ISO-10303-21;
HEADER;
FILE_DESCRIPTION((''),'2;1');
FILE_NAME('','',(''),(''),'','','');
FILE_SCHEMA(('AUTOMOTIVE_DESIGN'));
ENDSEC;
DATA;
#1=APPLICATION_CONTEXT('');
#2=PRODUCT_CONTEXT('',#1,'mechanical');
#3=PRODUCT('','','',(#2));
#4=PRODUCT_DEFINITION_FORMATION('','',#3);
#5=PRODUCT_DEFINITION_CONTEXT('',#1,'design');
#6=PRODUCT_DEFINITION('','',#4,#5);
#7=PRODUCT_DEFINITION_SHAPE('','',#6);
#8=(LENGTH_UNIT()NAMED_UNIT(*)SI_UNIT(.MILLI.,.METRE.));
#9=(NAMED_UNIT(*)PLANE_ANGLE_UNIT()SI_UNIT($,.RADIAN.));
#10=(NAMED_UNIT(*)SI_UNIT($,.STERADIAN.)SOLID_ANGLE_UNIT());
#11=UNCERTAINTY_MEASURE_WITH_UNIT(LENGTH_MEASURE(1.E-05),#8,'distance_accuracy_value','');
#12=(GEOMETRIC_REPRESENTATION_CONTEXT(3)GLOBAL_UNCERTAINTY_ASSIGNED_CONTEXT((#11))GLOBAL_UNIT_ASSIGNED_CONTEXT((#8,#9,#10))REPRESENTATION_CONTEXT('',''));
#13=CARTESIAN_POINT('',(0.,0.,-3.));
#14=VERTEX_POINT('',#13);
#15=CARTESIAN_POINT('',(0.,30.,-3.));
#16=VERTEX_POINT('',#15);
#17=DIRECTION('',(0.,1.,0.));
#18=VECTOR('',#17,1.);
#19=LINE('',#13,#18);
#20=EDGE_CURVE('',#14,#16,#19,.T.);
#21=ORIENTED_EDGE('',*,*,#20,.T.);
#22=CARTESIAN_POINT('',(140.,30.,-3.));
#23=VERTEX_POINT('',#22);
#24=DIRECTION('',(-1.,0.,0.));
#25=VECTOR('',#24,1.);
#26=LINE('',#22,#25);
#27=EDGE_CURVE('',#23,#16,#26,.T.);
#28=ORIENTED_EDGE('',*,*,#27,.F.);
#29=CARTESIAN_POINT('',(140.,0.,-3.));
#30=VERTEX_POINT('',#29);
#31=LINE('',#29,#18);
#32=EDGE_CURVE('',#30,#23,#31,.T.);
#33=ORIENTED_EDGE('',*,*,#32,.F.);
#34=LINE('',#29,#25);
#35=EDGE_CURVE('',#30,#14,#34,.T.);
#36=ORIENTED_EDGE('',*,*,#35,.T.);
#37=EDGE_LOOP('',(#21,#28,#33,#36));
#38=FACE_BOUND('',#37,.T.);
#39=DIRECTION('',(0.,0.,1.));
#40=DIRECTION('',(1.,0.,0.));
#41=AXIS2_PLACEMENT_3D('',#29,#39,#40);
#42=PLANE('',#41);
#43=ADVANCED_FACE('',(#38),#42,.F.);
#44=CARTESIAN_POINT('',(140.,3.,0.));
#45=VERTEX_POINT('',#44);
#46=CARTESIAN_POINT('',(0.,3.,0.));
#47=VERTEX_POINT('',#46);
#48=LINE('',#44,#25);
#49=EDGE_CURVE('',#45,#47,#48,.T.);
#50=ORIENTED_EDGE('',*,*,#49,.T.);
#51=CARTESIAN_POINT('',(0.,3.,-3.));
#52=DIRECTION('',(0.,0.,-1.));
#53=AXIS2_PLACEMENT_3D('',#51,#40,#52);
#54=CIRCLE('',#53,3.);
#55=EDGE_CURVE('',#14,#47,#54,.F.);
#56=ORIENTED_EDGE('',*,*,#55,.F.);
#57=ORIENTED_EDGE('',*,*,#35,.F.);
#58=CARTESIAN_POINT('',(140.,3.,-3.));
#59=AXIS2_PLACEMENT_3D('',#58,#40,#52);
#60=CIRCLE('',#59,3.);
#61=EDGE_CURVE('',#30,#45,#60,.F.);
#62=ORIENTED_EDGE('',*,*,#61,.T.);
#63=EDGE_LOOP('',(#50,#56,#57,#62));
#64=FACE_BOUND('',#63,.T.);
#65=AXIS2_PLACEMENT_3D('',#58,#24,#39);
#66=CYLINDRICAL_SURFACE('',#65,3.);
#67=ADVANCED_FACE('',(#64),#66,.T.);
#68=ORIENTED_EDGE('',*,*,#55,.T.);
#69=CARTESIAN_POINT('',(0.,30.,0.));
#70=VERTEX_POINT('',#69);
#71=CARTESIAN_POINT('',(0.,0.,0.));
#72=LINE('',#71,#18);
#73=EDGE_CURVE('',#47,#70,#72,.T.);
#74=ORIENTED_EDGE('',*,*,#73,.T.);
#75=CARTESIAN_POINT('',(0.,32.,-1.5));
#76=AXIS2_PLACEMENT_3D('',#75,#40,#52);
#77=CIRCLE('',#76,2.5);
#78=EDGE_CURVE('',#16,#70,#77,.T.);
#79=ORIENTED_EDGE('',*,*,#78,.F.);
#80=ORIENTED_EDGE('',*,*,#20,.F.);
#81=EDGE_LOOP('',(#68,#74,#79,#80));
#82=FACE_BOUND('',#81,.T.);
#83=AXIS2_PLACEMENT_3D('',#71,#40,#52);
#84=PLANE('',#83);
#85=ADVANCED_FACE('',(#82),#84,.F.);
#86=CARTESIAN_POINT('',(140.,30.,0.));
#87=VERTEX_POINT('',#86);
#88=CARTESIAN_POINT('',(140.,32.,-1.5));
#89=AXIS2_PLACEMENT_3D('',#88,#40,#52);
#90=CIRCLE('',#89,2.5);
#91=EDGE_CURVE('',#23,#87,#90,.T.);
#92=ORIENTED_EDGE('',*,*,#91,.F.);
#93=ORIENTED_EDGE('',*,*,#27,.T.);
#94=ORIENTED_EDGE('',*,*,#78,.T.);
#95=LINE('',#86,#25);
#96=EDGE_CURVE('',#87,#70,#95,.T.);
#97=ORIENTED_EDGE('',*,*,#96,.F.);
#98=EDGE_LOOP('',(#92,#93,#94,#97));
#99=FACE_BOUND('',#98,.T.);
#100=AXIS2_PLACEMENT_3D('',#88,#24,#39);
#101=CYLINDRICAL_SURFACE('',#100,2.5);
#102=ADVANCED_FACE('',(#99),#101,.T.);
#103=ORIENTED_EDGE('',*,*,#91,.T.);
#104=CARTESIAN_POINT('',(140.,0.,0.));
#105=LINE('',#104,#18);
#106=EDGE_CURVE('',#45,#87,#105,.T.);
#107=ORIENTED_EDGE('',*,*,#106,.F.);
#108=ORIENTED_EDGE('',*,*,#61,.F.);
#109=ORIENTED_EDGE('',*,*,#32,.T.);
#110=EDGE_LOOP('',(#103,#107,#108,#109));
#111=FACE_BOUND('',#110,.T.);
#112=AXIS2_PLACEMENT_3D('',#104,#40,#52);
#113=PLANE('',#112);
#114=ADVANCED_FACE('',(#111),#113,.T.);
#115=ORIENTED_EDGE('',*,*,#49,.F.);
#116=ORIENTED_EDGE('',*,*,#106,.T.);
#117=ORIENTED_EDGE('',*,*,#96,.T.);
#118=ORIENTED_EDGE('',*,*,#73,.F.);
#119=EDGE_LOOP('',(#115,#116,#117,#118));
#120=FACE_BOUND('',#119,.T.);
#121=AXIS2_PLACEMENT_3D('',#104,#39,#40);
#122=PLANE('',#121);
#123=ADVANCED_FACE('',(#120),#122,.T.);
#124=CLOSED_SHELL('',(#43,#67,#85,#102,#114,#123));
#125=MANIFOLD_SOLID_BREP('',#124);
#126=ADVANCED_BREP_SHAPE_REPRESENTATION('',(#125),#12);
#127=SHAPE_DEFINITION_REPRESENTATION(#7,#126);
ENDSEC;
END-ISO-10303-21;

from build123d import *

# Parameters (mm, degrees)
BOSS_EXTRUDE1_DEPTH = 140


with BuildPart() as part:
    # Sketch1 → Boss-Extrude1 (new body)
    with BuildSketch(Plane(origin=(0, 0, 0), x_dir=(0, 0, -1), z_dir=(1, 0, 0))):
        with BuildLine():
            ThreePointArc((0, 3), (0.878679656, 0.878679656), (3, 0))
            Line((3, 0), (3, 30))
            ThreePointArc((3, 30), (1.5, 34.5), (0, 30))
            Line((0, 30), (0, 3))
        make_face()
    extrude(amount=BOSS_EXTRUDE1_DEPTH)


solid = part.part
